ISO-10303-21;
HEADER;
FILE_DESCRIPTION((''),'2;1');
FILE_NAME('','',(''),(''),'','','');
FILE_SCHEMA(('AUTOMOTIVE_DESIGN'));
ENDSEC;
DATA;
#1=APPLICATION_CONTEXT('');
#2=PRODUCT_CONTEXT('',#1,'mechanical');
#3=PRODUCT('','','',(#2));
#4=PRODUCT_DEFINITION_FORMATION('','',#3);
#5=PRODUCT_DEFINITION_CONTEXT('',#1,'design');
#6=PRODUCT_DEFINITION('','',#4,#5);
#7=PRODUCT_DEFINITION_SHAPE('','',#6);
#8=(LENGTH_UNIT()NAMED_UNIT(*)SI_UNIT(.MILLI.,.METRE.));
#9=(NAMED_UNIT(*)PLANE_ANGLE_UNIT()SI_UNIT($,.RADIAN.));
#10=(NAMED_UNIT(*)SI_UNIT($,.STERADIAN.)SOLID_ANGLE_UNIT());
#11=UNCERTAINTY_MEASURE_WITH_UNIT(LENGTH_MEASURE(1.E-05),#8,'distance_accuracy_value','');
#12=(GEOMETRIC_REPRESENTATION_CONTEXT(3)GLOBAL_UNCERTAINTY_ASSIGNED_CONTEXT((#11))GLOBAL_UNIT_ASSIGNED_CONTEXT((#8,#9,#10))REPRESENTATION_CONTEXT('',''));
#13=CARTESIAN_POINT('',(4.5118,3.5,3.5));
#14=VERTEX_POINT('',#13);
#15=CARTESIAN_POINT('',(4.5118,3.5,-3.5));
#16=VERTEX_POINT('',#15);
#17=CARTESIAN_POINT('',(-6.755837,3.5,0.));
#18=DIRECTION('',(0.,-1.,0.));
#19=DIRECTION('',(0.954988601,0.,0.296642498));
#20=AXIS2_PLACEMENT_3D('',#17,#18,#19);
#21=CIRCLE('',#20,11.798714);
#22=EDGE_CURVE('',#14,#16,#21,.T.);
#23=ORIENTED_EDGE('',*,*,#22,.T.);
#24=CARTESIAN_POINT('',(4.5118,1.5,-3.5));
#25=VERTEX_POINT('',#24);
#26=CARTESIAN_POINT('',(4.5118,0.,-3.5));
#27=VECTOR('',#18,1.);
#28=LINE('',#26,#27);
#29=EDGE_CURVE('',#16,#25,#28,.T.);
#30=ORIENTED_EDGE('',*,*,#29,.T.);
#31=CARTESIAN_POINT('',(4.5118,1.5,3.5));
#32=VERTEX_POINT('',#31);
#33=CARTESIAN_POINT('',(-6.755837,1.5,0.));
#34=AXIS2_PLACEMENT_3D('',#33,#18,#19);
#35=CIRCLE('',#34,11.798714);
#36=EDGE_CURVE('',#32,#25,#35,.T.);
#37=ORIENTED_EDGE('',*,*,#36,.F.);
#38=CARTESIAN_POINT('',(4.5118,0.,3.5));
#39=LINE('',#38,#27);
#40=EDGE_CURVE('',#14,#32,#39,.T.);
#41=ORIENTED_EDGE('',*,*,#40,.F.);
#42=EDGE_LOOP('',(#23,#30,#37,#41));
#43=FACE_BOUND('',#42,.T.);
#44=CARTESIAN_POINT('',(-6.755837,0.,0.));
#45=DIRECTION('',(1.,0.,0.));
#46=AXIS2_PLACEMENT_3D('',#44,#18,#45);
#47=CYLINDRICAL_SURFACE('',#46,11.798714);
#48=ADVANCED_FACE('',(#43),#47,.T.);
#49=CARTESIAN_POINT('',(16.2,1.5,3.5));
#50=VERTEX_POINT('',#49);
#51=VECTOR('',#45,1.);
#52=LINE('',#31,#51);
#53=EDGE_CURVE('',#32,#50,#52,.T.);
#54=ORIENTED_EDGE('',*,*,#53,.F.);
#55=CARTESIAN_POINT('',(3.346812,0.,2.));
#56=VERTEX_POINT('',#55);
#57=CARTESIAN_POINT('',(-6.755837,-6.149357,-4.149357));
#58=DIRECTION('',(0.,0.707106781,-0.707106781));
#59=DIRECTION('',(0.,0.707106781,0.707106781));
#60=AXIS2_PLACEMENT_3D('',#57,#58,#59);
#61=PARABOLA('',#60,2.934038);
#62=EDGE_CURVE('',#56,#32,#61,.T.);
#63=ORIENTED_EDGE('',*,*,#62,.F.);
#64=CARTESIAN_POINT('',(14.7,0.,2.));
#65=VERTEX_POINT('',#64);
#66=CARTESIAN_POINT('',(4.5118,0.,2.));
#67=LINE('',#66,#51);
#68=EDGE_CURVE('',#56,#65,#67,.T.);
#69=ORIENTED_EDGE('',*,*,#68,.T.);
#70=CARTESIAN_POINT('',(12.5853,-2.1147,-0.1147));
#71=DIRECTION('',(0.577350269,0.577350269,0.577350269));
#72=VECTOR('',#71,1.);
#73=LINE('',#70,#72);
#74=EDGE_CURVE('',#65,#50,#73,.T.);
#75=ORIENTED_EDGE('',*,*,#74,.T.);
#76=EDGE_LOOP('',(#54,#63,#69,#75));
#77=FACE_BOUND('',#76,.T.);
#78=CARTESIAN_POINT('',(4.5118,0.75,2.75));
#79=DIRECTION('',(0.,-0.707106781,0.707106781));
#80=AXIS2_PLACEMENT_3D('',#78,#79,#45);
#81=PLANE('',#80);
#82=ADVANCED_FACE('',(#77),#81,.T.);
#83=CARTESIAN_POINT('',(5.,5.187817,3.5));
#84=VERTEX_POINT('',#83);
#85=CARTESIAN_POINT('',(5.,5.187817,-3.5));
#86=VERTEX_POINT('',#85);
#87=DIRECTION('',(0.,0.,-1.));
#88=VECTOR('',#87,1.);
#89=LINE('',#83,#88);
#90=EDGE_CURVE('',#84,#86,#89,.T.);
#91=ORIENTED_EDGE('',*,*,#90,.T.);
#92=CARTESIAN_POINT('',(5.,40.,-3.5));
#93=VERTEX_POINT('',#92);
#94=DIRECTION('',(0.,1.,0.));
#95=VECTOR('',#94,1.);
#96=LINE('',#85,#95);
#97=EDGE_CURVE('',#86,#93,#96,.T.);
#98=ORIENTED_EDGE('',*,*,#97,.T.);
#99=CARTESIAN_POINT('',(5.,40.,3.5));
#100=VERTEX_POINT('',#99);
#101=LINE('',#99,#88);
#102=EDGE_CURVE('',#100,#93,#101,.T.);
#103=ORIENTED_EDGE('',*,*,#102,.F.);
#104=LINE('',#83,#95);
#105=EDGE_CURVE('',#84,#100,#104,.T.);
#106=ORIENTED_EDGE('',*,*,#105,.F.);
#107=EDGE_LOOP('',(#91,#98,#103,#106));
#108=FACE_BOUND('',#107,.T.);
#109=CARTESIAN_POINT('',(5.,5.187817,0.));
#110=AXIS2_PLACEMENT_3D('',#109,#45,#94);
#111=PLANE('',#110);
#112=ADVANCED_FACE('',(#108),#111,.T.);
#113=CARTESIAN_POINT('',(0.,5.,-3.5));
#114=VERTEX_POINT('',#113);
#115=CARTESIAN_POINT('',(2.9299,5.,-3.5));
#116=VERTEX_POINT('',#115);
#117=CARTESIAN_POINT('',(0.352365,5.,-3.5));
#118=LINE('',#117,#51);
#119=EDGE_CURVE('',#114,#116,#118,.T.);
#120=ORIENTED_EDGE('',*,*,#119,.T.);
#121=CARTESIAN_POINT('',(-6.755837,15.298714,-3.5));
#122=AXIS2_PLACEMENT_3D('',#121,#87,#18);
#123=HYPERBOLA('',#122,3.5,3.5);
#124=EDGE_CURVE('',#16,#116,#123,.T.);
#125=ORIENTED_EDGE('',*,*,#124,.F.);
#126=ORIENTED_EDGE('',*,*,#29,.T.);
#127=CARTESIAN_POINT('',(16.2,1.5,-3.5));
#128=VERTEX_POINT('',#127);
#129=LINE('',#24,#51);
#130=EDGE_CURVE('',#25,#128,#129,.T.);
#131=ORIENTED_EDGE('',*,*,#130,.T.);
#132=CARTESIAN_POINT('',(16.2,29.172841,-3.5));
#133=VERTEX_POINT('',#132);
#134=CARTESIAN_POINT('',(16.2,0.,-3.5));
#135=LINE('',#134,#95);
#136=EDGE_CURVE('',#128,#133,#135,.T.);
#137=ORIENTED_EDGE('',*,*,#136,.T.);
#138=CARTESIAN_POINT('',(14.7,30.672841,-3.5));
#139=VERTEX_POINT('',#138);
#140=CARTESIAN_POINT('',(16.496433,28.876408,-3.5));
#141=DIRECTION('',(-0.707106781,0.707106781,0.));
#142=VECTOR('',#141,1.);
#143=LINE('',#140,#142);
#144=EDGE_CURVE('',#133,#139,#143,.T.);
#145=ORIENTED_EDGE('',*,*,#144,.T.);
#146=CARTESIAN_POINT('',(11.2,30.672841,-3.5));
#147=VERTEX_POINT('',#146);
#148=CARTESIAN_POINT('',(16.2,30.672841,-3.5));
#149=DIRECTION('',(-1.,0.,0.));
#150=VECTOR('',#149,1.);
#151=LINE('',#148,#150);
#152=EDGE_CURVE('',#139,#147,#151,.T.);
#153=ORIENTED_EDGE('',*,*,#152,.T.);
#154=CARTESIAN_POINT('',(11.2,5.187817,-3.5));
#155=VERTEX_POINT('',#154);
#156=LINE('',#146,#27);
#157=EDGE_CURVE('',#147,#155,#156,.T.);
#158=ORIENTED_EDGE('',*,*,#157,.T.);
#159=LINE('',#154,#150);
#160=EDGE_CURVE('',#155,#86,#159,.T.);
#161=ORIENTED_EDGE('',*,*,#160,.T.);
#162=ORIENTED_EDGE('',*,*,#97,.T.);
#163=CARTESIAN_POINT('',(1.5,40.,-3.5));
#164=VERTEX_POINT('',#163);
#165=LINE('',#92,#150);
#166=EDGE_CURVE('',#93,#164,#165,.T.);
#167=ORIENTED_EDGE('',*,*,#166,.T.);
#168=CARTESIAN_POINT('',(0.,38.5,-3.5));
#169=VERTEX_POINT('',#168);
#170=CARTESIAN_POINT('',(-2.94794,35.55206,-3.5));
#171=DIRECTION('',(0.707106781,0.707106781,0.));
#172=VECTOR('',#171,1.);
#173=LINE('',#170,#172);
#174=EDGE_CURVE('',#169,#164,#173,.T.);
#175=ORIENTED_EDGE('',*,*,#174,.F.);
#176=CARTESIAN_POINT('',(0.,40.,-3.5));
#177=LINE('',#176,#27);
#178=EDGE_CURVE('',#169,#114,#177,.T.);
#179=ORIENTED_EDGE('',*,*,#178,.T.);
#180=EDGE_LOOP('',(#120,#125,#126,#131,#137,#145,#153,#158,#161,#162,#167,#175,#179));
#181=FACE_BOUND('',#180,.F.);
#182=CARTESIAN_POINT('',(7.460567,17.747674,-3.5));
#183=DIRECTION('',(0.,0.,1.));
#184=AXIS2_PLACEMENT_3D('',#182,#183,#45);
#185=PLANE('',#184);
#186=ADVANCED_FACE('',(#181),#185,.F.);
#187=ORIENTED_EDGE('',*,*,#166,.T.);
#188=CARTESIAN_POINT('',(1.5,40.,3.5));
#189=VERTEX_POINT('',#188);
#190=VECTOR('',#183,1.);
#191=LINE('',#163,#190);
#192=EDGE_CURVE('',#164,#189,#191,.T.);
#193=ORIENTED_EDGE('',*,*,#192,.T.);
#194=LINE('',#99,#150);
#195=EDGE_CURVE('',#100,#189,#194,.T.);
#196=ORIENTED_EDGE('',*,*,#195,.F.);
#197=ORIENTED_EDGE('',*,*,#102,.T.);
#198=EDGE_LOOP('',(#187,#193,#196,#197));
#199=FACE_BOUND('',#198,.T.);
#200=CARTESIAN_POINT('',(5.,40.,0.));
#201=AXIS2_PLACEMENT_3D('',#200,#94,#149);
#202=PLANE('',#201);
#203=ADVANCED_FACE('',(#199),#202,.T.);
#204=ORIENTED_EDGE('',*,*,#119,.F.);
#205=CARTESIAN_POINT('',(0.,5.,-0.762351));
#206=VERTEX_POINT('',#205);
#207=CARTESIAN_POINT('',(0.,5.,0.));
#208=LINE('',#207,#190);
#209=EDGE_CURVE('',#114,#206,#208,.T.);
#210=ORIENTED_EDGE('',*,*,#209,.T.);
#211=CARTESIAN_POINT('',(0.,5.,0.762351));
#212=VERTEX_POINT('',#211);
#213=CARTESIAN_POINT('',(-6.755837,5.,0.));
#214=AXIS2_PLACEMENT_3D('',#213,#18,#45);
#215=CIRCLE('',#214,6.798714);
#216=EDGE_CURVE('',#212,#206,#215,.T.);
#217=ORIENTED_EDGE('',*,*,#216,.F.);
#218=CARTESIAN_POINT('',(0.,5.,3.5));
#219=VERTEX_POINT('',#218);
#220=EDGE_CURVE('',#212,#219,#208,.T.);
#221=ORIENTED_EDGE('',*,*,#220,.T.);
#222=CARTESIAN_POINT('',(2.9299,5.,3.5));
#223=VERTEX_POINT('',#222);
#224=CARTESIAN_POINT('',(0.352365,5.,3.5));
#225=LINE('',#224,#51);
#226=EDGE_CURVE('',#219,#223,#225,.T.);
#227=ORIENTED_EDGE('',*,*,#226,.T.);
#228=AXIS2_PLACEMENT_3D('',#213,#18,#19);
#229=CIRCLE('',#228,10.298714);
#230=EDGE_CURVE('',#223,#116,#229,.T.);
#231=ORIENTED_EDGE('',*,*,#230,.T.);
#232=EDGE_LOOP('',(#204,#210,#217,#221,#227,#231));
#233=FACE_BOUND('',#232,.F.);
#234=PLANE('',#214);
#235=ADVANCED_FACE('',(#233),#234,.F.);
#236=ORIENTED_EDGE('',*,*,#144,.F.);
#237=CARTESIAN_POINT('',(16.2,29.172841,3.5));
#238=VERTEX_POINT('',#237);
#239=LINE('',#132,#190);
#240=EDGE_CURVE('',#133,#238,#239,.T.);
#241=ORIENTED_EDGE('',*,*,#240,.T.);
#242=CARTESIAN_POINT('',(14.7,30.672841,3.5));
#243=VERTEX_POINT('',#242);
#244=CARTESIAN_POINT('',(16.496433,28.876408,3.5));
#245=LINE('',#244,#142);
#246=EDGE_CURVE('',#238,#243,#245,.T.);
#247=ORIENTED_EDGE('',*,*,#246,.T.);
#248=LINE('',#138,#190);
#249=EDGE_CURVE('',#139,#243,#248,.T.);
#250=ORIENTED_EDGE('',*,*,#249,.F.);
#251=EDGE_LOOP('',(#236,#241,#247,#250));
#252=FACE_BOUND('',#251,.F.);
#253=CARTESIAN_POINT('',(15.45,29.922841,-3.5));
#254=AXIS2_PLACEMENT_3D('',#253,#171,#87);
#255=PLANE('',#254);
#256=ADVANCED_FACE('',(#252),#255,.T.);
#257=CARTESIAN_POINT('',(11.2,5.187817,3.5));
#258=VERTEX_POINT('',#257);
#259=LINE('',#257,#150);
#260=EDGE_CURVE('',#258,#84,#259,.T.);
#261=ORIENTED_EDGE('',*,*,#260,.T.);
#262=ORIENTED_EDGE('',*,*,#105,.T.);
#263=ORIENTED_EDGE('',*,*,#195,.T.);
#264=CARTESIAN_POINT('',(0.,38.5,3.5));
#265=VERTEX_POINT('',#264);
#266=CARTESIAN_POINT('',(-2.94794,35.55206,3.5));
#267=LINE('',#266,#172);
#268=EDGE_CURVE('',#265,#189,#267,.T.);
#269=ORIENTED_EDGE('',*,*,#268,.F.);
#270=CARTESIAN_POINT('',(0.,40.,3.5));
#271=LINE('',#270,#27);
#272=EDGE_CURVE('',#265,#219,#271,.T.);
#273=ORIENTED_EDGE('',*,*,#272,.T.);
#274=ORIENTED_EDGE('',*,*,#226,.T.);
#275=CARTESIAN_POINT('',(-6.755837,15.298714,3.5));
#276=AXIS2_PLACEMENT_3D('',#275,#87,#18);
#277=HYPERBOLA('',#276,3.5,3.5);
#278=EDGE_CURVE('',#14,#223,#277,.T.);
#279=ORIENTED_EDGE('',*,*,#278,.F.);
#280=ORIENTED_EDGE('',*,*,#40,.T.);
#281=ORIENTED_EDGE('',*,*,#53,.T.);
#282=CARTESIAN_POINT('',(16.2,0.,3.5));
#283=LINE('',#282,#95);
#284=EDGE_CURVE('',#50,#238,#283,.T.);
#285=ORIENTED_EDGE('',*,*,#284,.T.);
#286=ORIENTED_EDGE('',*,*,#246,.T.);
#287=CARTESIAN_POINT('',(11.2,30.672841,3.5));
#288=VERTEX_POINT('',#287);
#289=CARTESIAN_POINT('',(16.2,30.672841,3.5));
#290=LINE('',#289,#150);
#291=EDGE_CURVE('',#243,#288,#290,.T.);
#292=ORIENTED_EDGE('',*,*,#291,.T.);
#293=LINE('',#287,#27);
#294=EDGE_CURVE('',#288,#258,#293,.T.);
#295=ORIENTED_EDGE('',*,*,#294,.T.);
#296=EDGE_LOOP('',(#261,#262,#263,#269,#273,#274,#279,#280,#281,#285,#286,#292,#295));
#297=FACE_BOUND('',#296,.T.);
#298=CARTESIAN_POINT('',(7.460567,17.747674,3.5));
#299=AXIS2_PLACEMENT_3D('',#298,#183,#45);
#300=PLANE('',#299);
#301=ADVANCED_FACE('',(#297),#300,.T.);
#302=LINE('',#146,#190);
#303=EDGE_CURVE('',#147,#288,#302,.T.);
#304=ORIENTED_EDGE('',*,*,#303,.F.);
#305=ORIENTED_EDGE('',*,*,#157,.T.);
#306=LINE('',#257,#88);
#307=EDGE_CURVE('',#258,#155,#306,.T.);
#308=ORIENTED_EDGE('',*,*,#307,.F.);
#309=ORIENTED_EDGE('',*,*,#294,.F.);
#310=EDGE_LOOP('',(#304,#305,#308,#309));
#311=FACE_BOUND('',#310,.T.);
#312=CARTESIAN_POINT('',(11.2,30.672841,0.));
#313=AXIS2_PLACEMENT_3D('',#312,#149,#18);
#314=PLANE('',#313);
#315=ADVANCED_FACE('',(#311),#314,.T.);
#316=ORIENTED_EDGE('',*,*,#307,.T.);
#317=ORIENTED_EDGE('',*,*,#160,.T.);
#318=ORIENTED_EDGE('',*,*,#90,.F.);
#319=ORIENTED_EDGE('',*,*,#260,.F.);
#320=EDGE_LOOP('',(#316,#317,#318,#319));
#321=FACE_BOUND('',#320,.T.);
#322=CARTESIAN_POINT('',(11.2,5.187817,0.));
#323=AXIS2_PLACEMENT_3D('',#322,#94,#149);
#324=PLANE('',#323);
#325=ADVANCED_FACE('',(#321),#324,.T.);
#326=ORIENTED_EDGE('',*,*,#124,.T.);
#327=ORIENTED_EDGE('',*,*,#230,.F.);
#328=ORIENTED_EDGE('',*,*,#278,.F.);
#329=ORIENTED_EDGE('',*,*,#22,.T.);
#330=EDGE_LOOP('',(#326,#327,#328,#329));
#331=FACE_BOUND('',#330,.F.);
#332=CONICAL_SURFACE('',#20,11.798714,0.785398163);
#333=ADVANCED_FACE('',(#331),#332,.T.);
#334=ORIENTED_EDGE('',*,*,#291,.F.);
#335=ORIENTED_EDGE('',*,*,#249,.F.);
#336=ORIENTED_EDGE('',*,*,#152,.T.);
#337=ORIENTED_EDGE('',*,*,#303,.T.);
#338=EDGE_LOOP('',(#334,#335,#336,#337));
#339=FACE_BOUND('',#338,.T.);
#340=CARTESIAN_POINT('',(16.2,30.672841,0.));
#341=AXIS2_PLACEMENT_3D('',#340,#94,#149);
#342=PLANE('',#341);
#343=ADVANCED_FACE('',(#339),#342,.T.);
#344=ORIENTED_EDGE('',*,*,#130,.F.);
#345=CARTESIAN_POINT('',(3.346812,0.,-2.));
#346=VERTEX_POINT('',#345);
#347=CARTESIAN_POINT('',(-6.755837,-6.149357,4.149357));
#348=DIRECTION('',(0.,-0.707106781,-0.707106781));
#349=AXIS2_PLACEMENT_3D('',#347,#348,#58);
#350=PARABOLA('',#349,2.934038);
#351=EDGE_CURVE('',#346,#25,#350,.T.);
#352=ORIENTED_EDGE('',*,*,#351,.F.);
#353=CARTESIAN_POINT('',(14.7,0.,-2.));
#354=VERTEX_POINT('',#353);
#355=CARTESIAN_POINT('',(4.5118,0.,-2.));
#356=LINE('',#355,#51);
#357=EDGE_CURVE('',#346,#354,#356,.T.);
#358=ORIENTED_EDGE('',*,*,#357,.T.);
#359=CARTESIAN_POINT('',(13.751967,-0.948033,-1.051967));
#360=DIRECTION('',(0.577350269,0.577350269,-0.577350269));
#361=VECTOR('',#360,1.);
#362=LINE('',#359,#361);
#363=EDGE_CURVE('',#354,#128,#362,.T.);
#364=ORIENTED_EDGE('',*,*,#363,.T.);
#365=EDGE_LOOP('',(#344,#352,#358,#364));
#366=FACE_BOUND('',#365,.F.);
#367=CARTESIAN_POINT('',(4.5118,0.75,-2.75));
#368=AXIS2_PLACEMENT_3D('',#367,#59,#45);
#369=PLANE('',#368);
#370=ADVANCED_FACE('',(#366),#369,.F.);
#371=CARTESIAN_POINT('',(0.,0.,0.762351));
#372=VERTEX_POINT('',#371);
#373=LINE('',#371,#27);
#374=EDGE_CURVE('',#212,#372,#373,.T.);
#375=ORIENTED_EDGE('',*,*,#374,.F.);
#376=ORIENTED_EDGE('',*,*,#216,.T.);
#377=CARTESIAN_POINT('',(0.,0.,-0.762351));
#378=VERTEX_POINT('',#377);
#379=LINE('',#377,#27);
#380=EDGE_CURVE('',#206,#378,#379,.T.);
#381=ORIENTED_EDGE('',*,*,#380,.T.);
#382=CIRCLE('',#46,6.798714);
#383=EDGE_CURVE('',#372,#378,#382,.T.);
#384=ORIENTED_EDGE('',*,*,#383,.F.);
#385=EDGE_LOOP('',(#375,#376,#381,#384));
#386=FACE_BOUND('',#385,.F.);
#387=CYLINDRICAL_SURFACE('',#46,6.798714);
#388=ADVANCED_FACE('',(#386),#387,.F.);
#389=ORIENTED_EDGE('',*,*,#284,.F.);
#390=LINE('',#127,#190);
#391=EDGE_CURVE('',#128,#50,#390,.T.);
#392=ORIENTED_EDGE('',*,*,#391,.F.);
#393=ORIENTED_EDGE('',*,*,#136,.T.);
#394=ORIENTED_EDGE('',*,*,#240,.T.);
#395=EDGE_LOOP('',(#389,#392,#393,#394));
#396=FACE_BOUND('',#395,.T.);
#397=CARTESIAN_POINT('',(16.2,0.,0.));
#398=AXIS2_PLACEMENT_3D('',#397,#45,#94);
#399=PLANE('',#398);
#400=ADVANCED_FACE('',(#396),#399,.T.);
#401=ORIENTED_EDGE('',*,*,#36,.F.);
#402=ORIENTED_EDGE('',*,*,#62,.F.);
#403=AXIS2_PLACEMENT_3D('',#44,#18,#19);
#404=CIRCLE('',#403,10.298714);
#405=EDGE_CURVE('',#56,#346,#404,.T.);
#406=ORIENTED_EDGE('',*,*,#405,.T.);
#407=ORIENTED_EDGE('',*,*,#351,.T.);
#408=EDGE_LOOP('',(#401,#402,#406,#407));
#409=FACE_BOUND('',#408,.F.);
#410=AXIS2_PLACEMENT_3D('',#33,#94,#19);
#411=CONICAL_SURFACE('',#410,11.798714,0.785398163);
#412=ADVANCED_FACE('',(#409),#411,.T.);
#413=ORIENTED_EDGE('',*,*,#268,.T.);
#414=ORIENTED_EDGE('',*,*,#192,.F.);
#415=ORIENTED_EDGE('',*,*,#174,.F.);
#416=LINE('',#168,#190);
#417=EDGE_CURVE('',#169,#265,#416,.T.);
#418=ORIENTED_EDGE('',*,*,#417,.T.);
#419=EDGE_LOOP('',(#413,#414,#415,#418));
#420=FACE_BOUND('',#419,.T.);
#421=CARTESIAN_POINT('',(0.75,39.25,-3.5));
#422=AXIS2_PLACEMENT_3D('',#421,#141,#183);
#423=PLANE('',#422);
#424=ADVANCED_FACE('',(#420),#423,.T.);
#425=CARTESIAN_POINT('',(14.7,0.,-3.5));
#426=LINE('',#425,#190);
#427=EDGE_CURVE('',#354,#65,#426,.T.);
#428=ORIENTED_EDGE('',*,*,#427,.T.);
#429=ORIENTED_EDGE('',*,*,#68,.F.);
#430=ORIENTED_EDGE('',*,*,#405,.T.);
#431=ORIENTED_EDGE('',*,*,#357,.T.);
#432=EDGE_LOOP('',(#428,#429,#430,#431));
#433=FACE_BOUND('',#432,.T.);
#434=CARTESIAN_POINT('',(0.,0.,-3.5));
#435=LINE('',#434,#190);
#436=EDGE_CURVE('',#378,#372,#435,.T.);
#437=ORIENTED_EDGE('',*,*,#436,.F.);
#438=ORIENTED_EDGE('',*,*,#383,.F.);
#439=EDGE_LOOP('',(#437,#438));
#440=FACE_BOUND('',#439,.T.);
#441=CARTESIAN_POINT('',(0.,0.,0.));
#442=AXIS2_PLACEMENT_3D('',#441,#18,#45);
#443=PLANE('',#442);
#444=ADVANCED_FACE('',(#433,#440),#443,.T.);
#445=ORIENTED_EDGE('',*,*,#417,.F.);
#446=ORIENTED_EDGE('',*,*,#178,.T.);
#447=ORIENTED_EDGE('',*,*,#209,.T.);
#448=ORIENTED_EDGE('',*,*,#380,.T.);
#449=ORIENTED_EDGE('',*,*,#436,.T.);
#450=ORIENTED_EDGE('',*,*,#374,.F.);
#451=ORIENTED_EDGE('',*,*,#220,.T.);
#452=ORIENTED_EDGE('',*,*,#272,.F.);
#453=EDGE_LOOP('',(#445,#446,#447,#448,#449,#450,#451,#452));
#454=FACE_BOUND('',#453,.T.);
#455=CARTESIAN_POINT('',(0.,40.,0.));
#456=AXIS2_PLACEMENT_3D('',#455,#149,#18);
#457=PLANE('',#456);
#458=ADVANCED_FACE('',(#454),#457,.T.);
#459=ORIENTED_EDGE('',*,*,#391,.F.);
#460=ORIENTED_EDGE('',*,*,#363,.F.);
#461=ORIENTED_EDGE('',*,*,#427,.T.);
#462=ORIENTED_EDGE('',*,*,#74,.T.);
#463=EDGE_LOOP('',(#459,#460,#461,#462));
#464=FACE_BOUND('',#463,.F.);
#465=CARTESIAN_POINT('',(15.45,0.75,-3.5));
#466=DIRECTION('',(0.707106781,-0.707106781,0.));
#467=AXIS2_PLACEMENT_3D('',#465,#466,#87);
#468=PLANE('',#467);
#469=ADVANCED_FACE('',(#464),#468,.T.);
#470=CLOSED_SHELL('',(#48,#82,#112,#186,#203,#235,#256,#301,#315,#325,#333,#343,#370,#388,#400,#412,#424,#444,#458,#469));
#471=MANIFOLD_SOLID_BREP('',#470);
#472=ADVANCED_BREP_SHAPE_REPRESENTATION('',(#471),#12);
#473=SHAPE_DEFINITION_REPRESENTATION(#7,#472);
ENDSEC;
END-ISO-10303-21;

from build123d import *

# Parameters (mm, degrees)
F2_DEPTH = 3.5
F1_R     = 11.798714
F1_R_2   = 6.798714
F3_DEPTH = 5
F4_SIZE  = 1.5


with BuildPart() as f2:
    # F0 (on Top) → F2 (new body, symmetric)
    with BuildSketch(Plane.XY):
        Polygon((5, 40), (0, 40), (0, 0), (16.2, 0), (16.2, 30.672841), (11.2, 30.672841), (11.2, 5.187817), (5, 5.187817), align=None)
    extrude(amount=F2_DEPTH, both=True)

    # F1 (on Front) → F3 (join)
    with BuildSketch(Plane.XZ):
        with Locations((-6.755837, 0)):
            Circle(F1_R)
        with Locations((-6.755837, 0)):
            Circle(F1_R_2, mode=Mode.SUBTRACT)
    extrude(amount=-F3_DEPTH)

    # F4
    f4_edges = [f2.edges().sort_by_distance(p)[0] for p in [
        (-18.554551, 0, 0),
        (-18.554551, 5, 0),
        (16.2, 0, 0),
        (10.3559, 0, -3.5),
        (10.3559, 0, 3.5),
        (16.2, 30.672841, 0),
        (0, 40, 0),
    ]]
    chamfer(f4_edges, length=F4_SIZE)


solid = f2.part
